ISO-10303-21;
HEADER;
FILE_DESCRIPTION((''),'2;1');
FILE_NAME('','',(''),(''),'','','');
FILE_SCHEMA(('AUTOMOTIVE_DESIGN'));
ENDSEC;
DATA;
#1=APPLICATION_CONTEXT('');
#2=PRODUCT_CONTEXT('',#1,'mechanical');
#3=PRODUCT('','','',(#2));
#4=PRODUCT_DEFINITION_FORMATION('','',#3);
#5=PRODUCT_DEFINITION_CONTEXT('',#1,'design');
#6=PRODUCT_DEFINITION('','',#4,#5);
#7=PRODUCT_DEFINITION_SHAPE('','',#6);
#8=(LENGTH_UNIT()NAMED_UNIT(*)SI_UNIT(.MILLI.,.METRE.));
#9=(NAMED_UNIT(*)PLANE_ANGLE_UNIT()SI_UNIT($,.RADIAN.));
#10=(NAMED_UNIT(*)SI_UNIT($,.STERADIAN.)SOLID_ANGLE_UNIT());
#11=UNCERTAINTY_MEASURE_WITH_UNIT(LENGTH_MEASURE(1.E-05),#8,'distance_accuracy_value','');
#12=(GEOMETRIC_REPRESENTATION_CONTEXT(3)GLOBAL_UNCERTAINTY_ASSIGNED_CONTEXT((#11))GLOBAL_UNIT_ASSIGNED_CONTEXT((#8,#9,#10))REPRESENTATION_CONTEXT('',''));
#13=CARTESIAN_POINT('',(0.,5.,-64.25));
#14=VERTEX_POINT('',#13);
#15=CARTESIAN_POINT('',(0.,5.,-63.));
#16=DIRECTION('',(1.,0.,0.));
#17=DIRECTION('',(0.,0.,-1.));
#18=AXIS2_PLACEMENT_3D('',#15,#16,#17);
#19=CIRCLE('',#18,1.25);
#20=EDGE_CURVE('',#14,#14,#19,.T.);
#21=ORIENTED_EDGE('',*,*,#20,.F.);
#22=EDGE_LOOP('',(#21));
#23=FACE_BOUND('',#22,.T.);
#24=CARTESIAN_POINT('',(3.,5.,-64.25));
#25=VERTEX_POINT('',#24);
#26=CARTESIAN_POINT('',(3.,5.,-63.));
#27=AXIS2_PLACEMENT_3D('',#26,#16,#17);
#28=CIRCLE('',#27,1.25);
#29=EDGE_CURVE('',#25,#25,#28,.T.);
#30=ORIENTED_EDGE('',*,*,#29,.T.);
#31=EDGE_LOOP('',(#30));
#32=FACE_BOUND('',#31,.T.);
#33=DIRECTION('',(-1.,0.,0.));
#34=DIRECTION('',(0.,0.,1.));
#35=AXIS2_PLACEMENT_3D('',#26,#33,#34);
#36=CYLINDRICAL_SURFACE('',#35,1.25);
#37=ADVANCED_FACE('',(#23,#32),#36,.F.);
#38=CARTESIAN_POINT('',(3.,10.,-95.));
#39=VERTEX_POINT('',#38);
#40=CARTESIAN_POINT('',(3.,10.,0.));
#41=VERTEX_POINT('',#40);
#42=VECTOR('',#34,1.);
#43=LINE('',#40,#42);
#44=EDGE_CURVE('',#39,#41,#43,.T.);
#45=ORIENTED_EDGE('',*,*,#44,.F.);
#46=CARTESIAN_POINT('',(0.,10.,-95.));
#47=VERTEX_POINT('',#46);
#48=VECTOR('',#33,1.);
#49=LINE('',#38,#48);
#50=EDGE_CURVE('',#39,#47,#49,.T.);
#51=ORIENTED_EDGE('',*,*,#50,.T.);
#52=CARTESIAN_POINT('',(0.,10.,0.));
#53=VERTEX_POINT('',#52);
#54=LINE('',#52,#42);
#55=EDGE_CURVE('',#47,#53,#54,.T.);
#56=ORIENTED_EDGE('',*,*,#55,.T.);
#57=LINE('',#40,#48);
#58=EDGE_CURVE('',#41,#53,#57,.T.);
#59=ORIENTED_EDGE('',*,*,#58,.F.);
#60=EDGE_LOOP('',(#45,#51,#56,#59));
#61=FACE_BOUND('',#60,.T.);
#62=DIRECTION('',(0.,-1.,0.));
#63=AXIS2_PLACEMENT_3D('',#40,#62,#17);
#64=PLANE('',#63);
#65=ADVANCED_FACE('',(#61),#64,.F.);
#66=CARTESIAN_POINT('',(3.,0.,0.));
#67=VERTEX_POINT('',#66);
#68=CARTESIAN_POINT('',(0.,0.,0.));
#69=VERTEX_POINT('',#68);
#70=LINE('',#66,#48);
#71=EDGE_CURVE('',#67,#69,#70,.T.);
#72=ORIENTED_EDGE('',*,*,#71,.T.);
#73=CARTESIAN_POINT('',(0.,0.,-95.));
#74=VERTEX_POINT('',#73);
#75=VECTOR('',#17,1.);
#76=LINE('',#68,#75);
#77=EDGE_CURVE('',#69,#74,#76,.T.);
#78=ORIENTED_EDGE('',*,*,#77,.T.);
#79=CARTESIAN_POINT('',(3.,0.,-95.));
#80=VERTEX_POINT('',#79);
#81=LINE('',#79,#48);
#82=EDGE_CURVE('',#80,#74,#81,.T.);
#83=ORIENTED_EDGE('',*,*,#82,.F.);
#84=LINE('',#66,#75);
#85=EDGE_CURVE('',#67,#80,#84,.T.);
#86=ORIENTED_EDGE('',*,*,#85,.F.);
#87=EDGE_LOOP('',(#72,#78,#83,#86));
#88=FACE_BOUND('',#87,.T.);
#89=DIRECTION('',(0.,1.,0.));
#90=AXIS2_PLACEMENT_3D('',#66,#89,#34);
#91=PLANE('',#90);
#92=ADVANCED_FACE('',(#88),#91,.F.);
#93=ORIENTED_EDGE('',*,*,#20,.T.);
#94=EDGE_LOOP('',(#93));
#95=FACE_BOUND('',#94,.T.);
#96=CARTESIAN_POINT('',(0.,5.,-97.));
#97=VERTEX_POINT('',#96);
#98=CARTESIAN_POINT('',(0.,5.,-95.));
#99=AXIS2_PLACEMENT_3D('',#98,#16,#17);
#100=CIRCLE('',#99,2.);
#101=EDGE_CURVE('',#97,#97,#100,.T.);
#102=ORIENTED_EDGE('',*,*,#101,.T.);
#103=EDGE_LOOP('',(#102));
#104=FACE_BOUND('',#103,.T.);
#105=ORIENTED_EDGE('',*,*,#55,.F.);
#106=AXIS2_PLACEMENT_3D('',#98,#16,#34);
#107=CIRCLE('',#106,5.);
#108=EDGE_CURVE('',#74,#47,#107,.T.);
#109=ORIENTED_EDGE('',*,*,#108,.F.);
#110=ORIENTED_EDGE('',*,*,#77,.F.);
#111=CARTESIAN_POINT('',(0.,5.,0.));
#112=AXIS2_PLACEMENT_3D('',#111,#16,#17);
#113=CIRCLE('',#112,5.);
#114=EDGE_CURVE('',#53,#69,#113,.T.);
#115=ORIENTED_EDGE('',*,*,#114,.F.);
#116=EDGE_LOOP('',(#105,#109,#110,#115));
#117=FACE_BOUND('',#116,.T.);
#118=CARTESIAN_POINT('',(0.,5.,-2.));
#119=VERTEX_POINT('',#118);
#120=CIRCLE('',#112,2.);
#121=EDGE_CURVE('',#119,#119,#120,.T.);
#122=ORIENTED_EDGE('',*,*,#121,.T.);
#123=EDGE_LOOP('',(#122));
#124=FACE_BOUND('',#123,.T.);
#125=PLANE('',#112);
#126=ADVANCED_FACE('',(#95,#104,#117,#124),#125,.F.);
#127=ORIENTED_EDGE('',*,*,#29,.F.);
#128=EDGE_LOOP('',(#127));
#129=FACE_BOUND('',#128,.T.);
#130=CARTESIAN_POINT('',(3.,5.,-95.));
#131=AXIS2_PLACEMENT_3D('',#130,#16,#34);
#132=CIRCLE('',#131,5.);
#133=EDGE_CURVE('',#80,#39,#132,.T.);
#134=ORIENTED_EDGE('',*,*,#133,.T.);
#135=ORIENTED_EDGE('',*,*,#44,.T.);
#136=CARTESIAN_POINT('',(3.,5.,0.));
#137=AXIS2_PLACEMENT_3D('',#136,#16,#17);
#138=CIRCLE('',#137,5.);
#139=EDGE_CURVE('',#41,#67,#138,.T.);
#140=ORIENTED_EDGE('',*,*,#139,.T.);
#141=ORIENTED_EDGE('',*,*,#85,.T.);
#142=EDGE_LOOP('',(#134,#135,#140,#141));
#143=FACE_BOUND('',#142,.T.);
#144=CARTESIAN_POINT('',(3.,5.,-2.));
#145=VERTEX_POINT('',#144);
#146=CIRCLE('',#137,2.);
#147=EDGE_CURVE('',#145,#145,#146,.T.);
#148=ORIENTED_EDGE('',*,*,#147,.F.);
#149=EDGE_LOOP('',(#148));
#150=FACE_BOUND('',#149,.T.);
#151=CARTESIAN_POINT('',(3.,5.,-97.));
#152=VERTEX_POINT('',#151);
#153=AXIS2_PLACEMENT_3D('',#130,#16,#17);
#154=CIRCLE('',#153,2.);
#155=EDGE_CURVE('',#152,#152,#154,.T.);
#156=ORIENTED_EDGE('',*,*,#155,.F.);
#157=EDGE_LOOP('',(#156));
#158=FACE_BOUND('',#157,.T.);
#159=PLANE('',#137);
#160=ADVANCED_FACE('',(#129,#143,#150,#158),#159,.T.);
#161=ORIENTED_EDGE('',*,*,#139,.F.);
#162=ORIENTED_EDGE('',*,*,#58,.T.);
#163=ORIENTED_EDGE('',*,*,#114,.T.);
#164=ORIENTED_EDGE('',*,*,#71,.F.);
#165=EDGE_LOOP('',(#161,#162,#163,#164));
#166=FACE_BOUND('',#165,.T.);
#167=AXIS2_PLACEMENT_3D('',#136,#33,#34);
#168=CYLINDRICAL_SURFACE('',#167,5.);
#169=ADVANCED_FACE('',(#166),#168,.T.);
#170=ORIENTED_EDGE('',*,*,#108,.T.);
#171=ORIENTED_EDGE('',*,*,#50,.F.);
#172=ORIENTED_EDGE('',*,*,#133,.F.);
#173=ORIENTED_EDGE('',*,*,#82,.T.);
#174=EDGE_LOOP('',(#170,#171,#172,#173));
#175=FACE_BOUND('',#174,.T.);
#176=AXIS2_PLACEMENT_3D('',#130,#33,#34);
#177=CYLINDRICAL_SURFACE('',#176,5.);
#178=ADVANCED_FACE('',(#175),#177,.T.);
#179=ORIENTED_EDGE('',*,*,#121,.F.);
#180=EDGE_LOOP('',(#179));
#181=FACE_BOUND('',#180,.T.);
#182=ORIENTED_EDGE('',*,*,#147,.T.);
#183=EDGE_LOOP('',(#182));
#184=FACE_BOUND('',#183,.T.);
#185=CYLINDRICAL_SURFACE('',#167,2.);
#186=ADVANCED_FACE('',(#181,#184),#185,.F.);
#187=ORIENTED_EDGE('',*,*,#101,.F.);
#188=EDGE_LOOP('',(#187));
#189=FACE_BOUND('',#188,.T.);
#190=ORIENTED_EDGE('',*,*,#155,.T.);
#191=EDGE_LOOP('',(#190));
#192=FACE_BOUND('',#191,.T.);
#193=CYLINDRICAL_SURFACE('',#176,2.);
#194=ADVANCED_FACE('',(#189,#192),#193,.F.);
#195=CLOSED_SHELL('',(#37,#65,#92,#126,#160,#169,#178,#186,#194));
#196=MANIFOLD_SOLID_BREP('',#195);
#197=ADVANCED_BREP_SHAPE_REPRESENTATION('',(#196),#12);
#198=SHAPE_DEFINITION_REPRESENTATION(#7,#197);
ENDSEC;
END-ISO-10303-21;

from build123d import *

# Parameters (mm, degrees)
SKETCH1_R           = 2
SKETCH1_R_2         = 1.25
BOSS_EXTRUDE1_DEPTH = 3


with BuildPart() as part:
    # Sketch1 → Boss-Extrude1 (new body)
    with BuildSketch(Plane(origin=(0, 0, 0), x_dir=(0, 0, -1), z_dir=(1, 0, 0))):
        with BuildLine():
            Line((0, 0), (95, 0))
            ThreePointArc((95, 0), (100, 5), (95, 10))
            Line((95, 10), (0, 10))
            ThreePointArc((0, 10), (-5, 5), (0, 0))
        make_face()
        with Locations((0, 5)):
            Circle(SKETCH1_R, mode=Mode.SUBTRACT)
        with Locations((95, 5)):
            Circle(SKETCH1_R, mode=Mode.SUBTRACT)
        with Locations((63, 5)):
            Circle(SKETCH1_R_2, mode=Mode.SUBTRACT)
    extrude(amount=BOSS_EXTRUDE1_DEPTH)


solid = part.part
